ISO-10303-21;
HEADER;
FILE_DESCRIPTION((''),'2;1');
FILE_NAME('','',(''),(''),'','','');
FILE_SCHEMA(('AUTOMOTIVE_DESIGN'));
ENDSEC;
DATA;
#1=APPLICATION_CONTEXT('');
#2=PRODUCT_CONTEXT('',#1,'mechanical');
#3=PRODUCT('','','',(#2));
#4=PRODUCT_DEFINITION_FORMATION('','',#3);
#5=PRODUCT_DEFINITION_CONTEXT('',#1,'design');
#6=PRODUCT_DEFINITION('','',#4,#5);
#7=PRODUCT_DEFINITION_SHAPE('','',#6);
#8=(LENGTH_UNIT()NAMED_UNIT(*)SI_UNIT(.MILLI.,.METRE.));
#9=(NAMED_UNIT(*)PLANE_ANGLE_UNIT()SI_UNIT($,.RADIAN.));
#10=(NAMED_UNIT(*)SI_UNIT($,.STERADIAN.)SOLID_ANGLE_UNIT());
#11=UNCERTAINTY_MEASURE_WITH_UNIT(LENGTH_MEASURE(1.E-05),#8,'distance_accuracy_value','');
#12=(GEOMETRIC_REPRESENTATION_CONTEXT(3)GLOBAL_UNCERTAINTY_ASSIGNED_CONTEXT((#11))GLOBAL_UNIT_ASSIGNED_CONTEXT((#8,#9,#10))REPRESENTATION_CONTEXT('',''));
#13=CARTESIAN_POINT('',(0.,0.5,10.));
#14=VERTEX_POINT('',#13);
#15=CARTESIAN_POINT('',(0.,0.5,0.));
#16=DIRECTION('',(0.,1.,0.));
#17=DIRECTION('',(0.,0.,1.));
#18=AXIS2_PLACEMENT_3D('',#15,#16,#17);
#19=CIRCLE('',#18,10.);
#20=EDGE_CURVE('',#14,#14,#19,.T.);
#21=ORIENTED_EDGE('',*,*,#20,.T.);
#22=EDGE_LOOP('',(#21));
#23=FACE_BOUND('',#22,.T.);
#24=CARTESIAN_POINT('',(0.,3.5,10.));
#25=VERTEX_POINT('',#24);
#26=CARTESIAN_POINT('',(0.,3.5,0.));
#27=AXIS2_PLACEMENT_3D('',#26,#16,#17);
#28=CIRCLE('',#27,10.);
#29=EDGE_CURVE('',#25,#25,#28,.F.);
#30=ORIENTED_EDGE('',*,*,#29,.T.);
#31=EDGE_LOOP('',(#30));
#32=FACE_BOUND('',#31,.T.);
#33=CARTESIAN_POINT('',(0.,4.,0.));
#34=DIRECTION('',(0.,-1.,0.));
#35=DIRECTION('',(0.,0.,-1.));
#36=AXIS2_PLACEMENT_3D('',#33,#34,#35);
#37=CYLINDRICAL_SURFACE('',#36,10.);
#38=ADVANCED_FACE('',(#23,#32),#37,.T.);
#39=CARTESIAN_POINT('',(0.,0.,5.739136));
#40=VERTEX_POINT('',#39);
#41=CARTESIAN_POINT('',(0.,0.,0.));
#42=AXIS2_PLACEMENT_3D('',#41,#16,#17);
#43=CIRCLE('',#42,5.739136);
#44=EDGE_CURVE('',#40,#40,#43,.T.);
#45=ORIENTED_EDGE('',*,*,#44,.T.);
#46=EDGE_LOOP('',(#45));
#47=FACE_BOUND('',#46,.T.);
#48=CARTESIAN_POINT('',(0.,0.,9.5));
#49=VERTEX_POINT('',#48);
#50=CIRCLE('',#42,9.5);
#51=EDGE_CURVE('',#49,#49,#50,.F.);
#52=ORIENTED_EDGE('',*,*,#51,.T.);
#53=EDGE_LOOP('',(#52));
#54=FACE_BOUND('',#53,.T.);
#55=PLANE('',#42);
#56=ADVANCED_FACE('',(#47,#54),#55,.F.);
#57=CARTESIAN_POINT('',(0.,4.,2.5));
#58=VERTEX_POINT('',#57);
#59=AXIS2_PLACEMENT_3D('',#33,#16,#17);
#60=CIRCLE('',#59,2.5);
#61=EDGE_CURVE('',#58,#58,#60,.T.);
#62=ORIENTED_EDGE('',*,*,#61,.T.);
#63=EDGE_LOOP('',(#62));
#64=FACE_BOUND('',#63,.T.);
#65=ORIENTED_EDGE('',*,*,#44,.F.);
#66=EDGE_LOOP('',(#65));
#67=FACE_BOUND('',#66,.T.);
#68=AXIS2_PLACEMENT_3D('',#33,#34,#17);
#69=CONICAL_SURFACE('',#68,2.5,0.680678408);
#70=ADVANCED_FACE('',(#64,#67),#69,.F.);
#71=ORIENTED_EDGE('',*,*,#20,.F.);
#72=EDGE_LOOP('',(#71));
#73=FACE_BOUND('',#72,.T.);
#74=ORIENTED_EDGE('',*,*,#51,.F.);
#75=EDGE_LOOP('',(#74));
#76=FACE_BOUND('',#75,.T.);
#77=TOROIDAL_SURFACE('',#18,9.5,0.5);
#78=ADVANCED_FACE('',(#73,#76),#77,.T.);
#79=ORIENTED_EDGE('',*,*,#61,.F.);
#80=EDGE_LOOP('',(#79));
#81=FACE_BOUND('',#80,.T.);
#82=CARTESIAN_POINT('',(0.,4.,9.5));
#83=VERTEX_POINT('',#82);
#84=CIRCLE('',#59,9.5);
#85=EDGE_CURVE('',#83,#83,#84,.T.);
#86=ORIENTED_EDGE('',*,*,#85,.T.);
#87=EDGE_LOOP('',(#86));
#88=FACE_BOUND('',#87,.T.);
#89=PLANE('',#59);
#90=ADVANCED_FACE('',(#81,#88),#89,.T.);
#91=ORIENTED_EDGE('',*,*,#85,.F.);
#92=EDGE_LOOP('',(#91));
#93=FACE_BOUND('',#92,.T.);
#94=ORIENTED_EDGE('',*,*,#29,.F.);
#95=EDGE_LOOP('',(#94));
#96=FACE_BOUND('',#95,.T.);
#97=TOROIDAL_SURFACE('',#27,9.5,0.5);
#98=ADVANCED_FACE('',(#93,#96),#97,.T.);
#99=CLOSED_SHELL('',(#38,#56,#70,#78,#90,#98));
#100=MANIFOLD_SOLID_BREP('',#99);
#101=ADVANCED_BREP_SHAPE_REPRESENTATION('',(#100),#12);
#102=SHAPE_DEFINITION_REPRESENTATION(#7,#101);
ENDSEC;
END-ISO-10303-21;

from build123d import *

# Parameters (mm, degrees)
SKETCH_1_R          = 10
EXTRUDE_1_DEPTH     = 4
SKETCH_2_R          = 2.5
CUT_EXTRUDE_1_DEPTH = 4
CUT_EXTRUDE_1_DRAFT = 39
FILLET_2_R          = 0.5
FILLET_3_R          = 0.5


with BuildPart() as part:
    # 草图1 → 凸台-拉伸1 (new body)
    with BuildSketch(Plane(origin=(0, 0, 0), x_dir=(1, 0, 0), z_dir=(0, 1, 0))):
        with Locations(Location((0, 0, 0), (0, 0, 270))):
            Circle(SKETCH_1_R)
    extrude(amount=EXTRUDE_1_DEPTH)


with BuildPart() as cut_extrude_1_tool:
    # 草图2 → 切除-拉伸1 (with draft: the straight prism first)
    with BuildSketch(Plane(origin=(0, 4, 0), x_dir=(1, 0, 0), z_dir=(0, 1, 0))):
        Circle(SKETCH_2_R)
    extrude(amount=-CUT_EXTRUDE_1_DEPTH)
    # 切除-拉伸1: the draft: its side faces are tilted about the plane it starts from
    cut_extrude_1_sides = [cut_extrude_1_tool.faces().sort_by_distance(p)[0] for p in [
        (-2.5, 2, 0),
    ]]
    draft(cut_extrude_1_sides, Plane(origin=(0, 4, 0), x_dir=(1, 0, 0), z_dir=(0, 1, 0)), CUT_EXTRUDE_1_DRAFT)


with BuildPart() as part_1:
    add(part.part)

    # 切除-拉伸1: cut by cut_extrude_1_tool
    add(cut_extrude_1_tool.part, mode=Mode.SUBTRACT)

    # 圆角2
    fillet_2_edges = [part_1.edges().sort_by_distance(p)[0] for p in [
        (0, 0, -10),
    ]]
    fillet(fillet_2_edges, radius=FILLET_2_R)

    # 圆角3
    fillet_3_edges = [part_1.edges().sort_by_distance(p)[0] for p in [
        (0, 4, -10),
    ]]
    fillet(fillet_3_edges, radius=FILLET_3_R)


solid = part_1.part
